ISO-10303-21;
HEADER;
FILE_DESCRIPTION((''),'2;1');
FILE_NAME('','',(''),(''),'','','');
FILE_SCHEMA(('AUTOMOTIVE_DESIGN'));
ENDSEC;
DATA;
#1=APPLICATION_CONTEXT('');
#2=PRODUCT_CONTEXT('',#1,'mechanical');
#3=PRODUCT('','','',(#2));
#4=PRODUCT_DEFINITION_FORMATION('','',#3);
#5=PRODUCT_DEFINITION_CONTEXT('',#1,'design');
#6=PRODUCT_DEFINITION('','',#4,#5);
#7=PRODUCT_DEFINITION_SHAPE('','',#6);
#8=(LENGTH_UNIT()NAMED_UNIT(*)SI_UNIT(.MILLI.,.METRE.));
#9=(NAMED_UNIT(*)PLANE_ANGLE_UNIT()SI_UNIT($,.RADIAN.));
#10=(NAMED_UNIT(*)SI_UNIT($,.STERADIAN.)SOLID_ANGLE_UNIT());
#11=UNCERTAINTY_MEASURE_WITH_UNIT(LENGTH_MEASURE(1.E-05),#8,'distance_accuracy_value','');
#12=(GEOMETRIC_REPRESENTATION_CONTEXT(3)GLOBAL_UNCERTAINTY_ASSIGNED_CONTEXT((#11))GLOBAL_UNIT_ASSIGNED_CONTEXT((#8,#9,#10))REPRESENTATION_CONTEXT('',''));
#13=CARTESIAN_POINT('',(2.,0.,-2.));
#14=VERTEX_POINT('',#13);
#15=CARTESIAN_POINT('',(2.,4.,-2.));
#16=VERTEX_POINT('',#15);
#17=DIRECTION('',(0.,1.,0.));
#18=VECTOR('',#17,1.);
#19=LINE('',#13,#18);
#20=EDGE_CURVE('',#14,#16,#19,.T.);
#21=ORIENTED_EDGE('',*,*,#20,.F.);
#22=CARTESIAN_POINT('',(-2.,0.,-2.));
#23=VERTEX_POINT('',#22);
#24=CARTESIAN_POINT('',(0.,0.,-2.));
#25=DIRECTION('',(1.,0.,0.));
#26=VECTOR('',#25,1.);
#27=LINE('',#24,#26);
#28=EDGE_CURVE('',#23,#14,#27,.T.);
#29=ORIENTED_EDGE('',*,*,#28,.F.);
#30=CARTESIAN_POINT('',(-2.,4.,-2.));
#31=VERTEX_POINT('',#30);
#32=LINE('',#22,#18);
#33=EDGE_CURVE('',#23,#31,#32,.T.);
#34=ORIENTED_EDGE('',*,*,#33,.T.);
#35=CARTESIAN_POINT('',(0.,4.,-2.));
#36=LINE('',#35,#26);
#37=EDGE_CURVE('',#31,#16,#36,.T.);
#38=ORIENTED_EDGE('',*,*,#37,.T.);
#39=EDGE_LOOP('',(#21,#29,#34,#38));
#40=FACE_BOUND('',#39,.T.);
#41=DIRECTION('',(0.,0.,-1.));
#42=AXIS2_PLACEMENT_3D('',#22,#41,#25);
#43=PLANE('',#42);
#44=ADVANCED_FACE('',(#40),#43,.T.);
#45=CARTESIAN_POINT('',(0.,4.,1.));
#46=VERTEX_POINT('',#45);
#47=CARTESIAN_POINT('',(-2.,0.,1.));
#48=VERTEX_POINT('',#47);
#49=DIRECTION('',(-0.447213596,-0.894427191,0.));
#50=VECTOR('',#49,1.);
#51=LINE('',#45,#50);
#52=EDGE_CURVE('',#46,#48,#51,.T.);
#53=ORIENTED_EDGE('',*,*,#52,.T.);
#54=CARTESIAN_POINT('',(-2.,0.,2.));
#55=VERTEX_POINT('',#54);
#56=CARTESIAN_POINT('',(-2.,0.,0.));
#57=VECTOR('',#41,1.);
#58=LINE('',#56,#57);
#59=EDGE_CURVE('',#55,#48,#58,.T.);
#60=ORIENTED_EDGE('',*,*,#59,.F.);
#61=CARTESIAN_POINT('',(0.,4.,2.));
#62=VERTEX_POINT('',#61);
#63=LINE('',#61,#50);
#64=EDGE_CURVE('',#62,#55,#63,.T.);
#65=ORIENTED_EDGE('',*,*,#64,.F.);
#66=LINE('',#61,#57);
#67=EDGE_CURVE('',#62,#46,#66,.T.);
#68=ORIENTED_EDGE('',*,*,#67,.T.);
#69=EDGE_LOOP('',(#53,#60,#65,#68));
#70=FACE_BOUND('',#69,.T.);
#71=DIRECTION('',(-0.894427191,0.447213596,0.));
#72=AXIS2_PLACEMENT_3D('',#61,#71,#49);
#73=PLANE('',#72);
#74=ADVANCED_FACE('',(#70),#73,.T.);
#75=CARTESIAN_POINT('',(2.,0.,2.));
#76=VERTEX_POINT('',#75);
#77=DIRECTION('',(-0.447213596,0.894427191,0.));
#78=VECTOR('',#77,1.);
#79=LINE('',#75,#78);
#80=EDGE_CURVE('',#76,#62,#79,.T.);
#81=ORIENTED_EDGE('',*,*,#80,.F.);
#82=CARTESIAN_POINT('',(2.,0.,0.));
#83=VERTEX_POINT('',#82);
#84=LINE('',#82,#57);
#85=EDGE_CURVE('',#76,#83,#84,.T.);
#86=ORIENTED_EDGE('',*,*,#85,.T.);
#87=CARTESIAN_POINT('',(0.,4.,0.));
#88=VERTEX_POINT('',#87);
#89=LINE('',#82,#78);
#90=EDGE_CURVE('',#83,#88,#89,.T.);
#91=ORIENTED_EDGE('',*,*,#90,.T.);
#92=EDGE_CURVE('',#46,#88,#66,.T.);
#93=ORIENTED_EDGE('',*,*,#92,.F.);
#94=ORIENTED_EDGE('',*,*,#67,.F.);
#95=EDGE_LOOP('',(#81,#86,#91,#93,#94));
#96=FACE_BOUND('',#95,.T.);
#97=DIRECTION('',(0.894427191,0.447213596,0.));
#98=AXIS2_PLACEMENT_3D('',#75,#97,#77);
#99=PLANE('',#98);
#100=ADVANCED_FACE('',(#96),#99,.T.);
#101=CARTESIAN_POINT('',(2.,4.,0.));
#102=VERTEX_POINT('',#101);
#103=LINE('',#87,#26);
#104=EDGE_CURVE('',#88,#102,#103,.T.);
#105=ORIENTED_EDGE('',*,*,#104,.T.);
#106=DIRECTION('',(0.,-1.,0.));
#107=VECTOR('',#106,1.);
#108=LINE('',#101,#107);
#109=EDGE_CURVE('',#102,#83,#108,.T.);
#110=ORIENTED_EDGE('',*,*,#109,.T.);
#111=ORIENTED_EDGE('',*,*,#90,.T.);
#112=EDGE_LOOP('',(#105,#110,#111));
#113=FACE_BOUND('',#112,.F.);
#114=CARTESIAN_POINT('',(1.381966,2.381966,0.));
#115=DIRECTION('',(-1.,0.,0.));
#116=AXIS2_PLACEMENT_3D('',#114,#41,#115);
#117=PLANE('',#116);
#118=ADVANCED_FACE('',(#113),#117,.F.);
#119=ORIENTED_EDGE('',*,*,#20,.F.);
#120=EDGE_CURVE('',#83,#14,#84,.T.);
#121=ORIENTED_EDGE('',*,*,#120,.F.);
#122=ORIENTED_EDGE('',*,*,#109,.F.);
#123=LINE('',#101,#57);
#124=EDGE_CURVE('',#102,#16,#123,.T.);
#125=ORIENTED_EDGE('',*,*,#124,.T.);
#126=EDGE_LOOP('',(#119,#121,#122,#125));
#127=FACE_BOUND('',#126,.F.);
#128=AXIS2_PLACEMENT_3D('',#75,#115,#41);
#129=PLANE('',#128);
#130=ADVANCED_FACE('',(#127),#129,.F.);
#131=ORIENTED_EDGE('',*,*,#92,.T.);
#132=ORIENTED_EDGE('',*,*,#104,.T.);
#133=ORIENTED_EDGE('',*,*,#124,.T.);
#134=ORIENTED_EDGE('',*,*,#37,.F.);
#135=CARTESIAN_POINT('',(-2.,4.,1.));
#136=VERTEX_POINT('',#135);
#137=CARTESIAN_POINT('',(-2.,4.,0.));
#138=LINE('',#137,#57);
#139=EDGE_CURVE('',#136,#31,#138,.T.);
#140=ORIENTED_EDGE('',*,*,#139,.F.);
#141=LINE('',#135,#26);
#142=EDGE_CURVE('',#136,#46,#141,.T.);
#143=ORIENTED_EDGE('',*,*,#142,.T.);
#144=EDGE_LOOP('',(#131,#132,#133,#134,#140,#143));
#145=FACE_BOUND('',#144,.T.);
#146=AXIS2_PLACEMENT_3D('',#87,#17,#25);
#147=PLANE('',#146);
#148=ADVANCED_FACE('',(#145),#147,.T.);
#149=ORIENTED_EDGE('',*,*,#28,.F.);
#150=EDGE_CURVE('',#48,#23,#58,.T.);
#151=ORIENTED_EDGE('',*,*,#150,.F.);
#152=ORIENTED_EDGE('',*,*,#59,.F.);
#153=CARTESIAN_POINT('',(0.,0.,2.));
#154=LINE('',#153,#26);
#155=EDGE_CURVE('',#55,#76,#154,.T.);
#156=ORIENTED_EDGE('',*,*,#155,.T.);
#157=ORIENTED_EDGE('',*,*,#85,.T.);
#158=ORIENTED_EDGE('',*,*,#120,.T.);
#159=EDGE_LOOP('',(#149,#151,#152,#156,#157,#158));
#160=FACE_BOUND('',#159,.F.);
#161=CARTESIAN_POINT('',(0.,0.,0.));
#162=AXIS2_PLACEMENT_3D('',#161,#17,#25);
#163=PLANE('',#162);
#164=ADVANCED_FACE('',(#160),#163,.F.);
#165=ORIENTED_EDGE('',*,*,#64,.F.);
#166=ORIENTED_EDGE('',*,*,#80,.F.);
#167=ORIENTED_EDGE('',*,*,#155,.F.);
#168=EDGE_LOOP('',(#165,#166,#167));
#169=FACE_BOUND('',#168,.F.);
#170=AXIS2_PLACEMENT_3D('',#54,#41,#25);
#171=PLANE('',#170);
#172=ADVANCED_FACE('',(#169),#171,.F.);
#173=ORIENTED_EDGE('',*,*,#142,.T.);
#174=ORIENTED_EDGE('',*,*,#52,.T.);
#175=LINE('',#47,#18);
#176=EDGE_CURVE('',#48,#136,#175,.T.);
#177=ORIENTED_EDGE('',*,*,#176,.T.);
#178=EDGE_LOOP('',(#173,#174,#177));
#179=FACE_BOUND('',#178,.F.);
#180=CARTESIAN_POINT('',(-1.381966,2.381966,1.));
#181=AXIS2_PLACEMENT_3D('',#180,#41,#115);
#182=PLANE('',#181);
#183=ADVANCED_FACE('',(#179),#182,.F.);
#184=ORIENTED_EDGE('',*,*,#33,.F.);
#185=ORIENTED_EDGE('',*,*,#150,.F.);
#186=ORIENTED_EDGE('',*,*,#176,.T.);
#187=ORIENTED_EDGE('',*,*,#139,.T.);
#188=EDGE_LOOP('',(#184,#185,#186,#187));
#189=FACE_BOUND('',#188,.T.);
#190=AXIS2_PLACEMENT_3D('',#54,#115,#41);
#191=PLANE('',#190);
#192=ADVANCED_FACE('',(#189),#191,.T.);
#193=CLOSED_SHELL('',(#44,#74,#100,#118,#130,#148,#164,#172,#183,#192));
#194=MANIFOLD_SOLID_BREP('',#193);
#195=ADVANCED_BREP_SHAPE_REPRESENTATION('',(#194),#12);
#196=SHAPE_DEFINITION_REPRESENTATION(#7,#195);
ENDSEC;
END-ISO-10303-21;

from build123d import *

# Parameters (mm, degrees)
SKETCH1_W           = 4
SKETCH1_H           = 4
BOSS_EXTRUDE1_DEPTH = 4
CUT_EXTRUDE1_DEPTH  = 2
CUT_EXTRUDE2_DEPTH  = 1


with BuildPart() as part:
    # Sketch1 → Boss-Extrude1 (new body)
    with BuildSketch(Plane(origin=(0, 0, 0), x_dir=(1, 0, 0), z_dir=(0, 1, 0))):
        Rectangle(SKETCH1_W, SKETCH1_H)
    extrude(amount=BOSS_EXTRUDE1_DEPTH)

    # Sketch4 → Cut-Extrude1 (cut)
    with BuildSketch(Plane.XY.offset(2)):
        Polygon((0, 4), (2, 4), (2, 0), align=None)
    extrude(amount=-CUT_EXTRUDE1_DEPTH, mode=Mode.SUBTRACT)

    # Sketch5 → Cut-Extrude2 (cut)
    with BuildSketch(Plane.XY.offset(2)):
        Polygon((0, 4), (-2, 0), (-2, 4), align=None)
    extrude(amount=-CUT_EXTRUDE2_DEPTH, mode=Mode.SUBTRACT)


solid = part.part
